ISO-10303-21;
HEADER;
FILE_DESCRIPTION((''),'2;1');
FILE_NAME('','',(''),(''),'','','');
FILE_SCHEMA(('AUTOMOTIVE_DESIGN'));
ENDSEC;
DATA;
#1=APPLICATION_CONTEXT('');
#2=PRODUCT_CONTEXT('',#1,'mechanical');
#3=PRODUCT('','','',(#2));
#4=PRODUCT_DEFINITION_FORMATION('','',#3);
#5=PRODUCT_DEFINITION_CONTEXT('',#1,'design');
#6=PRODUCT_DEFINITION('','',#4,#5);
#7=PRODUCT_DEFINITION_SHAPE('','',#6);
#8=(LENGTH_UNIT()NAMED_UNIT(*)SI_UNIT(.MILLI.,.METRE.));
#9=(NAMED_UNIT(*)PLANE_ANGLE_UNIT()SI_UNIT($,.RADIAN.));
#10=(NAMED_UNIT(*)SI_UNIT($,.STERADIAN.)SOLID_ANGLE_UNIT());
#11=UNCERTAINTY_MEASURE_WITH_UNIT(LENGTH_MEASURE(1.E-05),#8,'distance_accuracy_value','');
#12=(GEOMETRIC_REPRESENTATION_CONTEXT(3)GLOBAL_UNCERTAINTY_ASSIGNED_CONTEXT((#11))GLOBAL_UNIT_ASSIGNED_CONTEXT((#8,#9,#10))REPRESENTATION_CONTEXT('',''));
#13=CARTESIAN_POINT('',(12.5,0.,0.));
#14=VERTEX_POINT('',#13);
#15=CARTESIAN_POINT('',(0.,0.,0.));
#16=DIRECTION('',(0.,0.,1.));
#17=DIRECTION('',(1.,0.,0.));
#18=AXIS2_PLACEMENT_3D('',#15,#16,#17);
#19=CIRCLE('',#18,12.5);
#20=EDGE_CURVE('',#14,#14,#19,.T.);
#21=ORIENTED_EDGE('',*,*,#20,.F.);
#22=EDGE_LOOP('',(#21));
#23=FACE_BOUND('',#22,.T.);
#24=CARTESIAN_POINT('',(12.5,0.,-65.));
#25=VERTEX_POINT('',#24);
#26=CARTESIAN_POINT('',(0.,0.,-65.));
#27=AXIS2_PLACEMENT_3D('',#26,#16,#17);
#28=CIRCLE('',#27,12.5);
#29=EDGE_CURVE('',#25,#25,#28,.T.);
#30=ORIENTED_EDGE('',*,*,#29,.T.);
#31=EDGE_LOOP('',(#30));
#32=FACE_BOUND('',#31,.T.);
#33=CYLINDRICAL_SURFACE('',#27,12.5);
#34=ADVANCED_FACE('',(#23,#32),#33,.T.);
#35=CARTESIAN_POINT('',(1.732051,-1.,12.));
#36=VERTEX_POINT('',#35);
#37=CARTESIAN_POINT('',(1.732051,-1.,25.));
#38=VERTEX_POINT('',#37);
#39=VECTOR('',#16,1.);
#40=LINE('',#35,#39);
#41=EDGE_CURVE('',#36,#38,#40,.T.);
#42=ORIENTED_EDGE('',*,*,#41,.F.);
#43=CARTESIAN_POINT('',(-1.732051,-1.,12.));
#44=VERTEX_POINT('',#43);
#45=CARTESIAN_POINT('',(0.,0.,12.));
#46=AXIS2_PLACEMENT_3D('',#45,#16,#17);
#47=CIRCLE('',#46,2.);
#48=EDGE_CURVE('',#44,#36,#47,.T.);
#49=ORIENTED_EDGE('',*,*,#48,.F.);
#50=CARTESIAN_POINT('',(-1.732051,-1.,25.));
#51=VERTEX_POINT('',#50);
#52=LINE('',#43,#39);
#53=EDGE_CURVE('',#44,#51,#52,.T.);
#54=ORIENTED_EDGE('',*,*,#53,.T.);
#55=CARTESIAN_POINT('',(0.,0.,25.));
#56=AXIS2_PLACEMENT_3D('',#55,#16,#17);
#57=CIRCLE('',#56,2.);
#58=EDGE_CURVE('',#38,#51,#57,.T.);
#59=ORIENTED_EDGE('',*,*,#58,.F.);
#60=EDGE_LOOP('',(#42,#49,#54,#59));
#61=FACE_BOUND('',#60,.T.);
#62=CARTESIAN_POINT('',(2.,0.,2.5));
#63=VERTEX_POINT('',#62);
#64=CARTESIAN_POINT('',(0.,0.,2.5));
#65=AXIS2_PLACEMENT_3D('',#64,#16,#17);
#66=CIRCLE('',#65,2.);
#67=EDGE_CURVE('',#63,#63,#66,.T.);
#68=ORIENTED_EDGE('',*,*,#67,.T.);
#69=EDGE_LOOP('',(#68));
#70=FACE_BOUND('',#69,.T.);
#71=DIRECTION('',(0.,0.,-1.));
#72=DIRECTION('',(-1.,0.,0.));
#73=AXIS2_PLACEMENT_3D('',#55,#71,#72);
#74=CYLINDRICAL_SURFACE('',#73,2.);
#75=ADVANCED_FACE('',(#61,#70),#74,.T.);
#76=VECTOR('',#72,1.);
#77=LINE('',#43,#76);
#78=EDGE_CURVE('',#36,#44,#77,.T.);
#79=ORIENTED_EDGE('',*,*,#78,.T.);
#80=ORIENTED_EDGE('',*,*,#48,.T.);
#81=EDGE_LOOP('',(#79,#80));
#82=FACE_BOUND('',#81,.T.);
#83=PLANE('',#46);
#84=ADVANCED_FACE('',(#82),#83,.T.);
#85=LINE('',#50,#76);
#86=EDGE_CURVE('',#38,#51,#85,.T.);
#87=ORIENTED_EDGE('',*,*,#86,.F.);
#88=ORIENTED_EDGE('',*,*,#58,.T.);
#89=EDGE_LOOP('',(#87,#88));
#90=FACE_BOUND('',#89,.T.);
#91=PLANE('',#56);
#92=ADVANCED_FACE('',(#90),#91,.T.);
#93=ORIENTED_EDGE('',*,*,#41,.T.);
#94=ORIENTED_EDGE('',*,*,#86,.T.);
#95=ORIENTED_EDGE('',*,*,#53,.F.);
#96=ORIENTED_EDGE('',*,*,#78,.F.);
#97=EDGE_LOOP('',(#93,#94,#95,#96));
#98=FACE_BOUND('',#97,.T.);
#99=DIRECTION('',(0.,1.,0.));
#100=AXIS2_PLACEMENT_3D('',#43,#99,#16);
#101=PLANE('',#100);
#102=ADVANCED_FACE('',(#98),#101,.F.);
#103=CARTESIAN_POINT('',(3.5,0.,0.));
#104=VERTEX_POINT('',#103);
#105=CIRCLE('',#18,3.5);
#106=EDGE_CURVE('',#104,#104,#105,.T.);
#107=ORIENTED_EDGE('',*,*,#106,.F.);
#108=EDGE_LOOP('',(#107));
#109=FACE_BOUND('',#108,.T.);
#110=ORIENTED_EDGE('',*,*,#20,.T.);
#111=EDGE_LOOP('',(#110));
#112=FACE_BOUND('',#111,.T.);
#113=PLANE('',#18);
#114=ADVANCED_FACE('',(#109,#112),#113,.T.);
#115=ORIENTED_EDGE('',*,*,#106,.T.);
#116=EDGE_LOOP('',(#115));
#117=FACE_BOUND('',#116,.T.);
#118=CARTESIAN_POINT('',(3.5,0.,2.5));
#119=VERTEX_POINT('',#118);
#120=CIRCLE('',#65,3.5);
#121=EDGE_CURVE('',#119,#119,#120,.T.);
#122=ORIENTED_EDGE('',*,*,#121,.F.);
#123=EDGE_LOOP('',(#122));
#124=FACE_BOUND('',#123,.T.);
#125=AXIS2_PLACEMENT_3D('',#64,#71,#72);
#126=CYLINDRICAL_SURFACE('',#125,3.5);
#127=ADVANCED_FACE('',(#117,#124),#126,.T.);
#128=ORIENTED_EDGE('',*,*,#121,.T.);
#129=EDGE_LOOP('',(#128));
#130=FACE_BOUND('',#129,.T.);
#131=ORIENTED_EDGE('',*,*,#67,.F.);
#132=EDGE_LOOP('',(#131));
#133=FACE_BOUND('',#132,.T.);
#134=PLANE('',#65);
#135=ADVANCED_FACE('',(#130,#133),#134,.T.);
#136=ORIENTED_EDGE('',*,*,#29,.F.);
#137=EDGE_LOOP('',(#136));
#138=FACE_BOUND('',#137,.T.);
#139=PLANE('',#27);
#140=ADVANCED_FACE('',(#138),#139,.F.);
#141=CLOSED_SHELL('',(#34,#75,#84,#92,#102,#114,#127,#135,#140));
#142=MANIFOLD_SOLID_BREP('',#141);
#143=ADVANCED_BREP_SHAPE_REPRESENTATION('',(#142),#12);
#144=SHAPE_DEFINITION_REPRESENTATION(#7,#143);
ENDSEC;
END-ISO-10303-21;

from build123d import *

# Parameters (mm, degrees)
ESQUISSE1_R             = 12.5
BOSS_EXTRU_1_DEPTH      = 65
ESQUISSE2_R             = 3.5
BOSS_EXTRU_2_DEPTH      = 2.5
ESQUISSE3_R             = 2
BOSS_EXTRU_3_DEPTH      = 22.5
ENL_V_START             = -13
ENL_V_MAT_EXTRU_1_DEPTH = 13


with BuildPart() as part:
    # Esquisse1 → Boss.-Extru.1 (new body)
    with BuildSketch(Plane.XY):
        Circle(ESQUISSE1_R)
    extrude(amount=-BOSS_EXTRU_1_DEPTH)

    # Esquisse2 → Boss.-Extru.2 (add)
    with BuildSketch(Plane.XY):
        Circle(ESQUISSE2_R)
    extrude(amount=BOSS_EXTRU_2_DEPTH)

    # Esquisse3 → Boss.-Extru.3 (add)
    with BuildSketch(Plane.XY.offset(2.5)):
        Circle(ESQUISSE3_R)
    extrude(amount=BOSS_EXTRU_3_DEPTH)

    # Esquisse4 → Enlèv. mat.-Extru.1 (cut)
    with BuildSketch(Plane.XY.offset(25).offset(ENL_V_START)):
        with BuildLine():
            Line((-1.732050808, -1), (1.732050808, -1))
            ThreePointArc((1.732050808, -1), (0, -2), (-1.732050808, -1))
        make_face()
    extrude(amount=ENL_V_MAT_EXTRU_1_DEPTH, mode=Mode.SUBTRACT)


solid = part.part
